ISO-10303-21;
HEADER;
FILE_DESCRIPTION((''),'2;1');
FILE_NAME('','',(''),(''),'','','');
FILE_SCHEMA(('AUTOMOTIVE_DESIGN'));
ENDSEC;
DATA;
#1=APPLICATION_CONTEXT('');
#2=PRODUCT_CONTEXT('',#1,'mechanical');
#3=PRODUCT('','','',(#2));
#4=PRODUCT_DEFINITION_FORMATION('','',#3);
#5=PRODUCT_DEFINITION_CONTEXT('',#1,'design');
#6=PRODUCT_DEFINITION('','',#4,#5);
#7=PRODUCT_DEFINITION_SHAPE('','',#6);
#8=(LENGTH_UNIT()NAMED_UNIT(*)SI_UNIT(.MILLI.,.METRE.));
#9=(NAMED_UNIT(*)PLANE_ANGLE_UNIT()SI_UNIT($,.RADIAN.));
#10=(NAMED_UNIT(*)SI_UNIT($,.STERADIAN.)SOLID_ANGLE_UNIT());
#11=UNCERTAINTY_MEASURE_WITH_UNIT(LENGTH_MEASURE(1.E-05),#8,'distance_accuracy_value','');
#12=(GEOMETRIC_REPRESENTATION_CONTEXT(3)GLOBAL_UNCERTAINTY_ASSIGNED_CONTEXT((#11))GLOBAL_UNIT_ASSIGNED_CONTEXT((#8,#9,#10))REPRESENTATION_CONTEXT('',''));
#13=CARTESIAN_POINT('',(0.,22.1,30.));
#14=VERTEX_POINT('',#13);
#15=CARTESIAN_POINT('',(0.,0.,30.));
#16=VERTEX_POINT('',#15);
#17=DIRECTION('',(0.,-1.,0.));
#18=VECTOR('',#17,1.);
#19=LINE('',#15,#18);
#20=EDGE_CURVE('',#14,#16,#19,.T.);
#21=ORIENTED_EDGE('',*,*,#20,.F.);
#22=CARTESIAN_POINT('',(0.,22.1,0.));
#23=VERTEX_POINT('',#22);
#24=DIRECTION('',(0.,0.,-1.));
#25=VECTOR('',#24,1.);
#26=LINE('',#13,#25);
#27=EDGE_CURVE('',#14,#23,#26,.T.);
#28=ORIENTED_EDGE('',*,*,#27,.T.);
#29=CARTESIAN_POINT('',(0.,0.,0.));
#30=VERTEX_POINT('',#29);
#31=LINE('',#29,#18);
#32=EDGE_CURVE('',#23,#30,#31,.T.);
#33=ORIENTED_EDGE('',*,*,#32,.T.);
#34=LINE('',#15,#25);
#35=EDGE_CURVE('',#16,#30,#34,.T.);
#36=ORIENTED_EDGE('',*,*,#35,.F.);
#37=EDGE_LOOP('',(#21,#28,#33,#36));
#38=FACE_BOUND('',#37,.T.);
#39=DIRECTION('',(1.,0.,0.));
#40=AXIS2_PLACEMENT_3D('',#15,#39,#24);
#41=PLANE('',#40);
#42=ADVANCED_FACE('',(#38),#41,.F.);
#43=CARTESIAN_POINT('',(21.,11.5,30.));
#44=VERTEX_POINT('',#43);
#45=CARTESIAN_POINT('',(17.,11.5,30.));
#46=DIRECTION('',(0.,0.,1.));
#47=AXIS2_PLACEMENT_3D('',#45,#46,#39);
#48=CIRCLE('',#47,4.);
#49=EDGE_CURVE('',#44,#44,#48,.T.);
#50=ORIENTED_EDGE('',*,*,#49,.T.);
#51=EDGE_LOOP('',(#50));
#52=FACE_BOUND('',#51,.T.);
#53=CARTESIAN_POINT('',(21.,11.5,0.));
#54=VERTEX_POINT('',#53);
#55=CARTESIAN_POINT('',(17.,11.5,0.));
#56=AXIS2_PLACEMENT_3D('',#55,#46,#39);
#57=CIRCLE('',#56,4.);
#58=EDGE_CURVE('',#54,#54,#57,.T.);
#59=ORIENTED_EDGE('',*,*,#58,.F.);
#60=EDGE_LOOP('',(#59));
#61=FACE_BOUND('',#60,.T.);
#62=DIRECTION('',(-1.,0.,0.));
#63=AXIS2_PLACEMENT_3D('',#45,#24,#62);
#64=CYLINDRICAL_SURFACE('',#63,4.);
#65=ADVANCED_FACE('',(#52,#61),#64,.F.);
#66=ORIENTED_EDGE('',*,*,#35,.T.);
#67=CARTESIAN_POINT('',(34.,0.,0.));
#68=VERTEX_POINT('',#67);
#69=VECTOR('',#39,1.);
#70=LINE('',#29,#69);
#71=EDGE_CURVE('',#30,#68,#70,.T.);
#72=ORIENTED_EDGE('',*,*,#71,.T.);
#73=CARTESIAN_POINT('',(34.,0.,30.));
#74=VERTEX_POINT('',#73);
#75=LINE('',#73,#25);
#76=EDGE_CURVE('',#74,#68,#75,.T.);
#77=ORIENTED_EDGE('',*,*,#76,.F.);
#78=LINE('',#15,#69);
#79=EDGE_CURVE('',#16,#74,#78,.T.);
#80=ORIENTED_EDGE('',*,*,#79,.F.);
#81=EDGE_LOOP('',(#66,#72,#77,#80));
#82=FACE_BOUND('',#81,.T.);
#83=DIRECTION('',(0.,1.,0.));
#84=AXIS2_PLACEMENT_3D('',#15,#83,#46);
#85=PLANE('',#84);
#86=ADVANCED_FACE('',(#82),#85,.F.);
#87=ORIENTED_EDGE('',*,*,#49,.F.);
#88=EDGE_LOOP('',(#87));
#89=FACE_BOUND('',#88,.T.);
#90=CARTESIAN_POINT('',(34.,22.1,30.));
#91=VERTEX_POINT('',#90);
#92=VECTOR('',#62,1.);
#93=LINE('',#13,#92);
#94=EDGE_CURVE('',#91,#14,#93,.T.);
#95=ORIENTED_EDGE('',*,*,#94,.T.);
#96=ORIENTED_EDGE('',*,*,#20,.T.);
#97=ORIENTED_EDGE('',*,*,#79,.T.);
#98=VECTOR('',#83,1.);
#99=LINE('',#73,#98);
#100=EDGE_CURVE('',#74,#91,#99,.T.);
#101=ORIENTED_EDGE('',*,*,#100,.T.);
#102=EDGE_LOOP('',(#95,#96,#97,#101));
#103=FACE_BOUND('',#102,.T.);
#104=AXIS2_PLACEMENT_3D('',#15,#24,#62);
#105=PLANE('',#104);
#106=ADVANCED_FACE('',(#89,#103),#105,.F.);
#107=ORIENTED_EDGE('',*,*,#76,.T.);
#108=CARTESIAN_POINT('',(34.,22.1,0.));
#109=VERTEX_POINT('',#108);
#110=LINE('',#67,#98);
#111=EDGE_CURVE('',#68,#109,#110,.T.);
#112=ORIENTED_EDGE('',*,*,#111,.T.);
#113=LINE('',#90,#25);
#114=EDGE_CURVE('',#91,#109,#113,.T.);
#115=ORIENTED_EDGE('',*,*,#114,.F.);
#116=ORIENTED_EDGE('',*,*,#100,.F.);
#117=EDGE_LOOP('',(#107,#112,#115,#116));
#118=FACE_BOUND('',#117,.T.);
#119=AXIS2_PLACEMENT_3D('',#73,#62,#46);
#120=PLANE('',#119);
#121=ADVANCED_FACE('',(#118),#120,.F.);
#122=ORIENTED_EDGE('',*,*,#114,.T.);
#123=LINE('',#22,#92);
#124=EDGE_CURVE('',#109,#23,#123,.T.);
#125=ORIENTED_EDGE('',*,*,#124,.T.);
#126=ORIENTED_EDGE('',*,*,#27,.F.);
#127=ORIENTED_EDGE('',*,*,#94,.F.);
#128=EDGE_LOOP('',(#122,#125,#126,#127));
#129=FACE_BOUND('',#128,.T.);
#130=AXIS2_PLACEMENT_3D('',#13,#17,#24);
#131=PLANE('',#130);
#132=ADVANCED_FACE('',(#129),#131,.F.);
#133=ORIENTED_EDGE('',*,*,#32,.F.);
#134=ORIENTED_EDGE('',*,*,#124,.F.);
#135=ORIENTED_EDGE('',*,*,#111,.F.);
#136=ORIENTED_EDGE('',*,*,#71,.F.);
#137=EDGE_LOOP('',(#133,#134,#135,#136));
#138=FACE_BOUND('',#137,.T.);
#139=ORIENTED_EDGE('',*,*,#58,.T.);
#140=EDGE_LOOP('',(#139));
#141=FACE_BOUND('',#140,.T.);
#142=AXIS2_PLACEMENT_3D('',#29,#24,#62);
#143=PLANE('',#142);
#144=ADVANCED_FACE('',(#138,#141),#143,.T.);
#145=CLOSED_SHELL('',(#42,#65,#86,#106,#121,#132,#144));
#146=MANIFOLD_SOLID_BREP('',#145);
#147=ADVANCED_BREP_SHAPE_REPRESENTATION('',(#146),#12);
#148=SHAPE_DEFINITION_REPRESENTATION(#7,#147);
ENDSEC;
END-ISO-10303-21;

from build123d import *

# Parameters (mm, degrees)
SKETCH1_W           = 34
SKETCH1_H           = 22.1
SKETCH1_R           = 4
BOSS_EXTRUDE1_DEPTH = 30


with BuildPart() as part:
    # Sketch1 → Boss-Extrude1 (new body)
    with BuildSketch(Plane.XY):
        with Locations((17, 11.05)):
            Rectangle(SKETCH1_W, SKETCH1_H)
        with Locations((17, 11.5)):
            Circle(SKETCH1_R, mode=Mode.SUBTRACT)
    extrude(amount=BOSS_EXTRUDE1_DEPTH)


solid = part.part
